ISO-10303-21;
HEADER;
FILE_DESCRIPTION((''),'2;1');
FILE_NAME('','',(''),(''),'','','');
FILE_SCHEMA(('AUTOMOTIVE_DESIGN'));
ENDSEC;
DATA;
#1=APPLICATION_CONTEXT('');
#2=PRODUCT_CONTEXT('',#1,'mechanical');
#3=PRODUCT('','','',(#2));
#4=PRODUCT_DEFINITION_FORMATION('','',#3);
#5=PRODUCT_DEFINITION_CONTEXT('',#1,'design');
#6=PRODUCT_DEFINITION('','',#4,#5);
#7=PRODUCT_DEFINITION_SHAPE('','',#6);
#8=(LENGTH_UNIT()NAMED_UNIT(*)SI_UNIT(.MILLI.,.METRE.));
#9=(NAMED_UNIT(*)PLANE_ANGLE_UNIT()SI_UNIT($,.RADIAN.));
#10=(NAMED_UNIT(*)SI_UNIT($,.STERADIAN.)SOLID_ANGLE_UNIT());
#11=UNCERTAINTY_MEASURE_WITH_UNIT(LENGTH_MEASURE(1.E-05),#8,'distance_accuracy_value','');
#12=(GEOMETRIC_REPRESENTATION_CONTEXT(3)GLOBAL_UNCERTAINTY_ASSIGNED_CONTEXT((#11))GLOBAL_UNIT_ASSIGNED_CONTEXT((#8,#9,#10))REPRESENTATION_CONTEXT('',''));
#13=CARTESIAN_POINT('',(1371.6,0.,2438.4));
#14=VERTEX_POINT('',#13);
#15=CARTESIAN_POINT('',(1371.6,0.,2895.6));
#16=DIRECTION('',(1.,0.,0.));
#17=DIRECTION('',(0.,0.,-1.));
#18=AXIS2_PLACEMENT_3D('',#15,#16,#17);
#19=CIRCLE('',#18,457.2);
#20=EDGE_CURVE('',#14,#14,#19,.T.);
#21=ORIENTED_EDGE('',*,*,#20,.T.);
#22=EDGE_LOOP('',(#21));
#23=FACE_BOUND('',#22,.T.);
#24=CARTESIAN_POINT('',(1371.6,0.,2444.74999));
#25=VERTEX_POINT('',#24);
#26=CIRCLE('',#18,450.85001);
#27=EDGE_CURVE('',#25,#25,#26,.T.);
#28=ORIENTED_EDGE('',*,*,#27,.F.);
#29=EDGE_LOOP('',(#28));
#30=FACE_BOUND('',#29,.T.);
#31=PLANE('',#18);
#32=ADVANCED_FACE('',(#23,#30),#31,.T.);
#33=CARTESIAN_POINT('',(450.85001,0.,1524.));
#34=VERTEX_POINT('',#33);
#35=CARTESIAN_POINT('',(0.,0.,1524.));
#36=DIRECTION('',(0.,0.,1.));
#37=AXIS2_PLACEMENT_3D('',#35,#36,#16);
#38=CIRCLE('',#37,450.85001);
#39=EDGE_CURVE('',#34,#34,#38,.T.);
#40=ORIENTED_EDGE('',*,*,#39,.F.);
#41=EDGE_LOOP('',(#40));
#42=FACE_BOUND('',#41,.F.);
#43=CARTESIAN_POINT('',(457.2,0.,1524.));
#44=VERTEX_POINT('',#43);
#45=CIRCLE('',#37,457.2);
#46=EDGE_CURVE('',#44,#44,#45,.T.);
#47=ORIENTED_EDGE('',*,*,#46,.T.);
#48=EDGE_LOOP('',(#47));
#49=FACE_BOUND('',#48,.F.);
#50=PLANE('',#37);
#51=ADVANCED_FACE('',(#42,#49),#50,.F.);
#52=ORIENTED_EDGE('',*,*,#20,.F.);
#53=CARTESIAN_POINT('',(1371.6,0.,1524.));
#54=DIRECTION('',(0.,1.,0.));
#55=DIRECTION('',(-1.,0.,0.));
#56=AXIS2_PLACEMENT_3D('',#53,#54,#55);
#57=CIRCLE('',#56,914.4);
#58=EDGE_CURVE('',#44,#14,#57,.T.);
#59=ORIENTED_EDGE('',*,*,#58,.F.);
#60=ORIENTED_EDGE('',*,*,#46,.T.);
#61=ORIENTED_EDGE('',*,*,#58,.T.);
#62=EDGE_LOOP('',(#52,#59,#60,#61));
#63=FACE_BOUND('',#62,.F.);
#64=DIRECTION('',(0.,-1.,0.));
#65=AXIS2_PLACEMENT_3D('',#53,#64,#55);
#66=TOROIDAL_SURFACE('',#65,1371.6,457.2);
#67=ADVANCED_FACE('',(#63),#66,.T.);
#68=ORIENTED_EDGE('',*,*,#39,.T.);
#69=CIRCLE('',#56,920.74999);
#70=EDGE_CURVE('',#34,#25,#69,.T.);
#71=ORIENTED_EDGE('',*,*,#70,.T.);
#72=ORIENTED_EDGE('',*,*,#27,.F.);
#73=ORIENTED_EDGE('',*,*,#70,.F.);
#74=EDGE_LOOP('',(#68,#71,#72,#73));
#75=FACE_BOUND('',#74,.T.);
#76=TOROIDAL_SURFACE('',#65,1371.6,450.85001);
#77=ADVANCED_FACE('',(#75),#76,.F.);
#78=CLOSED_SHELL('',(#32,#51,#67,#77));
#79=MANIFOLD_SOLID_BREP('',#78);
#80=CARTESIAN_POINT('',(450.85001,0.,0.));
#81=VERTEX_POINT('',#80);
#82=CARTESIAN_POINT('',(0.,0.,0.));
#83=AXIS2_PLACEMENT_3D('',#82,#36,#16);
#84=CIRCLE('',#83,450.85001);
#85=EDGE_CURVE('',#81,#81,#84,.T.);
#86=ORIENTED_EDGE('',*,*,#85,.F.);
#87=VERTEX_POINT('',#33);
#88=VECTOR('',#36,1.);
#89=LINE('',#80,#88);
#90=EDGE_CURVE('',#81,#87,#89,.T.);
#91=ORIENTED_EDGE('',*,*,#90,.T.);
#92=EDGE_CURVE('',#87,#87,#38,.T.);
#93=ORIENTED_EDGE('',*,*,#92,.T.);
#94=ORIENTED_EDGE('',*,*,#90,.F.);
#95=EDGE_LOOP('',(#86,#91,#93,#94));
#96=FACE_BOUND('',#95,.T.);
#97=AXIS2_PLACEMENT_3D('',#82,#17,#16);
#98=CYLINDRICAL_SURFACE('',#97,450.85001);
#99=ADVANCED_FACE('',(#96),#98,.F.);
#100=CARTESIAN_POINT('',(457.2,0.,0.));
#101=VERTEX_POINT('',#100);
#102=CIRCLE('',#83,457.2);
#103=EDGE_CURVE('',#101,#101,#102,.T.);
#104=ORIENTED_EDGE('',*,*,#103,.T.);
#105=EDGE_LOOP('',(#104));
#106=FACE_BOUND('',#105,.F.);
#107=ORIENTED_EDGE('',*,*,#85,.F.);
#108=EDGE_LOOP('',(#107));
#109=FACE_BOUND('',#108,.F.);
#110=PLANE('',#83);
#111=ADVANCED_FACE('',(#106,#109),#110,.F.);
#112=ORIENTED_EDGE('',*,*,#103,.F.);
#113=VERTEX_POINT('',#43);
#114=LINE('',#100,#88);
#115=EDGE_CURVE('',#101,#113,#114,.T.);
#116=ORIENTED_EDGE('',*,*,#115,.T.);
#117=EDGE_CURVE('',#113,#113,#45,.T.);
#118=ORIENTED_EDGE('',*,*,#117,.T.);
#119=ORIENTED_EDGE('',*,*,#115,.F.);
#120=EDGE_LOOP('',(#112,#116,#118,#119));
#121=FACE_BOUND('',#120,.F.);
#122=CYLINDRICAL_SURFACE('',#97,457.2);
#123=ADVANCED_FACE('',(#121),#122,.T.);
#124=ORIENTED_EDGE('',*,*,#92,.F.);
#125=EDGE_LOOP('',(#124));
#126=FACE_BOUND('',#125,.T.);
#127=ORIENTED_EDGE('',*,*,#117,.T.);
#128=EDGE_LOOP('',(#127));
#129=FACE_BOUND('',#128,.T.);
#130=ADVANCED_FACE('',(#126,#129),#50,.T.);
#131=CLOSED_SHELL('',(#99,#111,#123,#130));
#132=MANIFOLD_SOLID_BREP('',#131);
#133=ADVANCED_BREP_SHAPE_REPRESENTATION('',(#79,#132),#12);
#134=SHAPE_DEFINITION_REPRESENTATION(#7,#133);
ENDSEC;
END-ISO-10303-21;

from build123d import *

# Parameters (mm, degrees)
F0_R     = 457.2
F0_R_2   = 450.85001
F1_DEPTH = 1524
F2_R     = 457.2
F2_R_2   = 450.85001
F3_ANGLE = 90


with BuildPart() as f1:
    # F0 (on Top) → F1 (new body)
    with BuildSketch(Plane.XY):
        Circle(F0_R)
        Circle(F0_R_2, mode=Mode.SUBTRACT)
    extrude(amount=F1_DEPTH)


with BuildPart() as f3:
    # F2 (on face) → F3 (revolve)
    with BuildSketch(Plane.XY.offset(1524)):
        Circle(F2_R)
        Circle(F2_R_2, mode=Mode.SUBTRACT)
    revolve(axis=Axis((1371.6, 684.465885, 1524), (0, 1, 0)), revolution_arc=F3_ANGLE)


solid = Compound([f1.part, f3.part])
